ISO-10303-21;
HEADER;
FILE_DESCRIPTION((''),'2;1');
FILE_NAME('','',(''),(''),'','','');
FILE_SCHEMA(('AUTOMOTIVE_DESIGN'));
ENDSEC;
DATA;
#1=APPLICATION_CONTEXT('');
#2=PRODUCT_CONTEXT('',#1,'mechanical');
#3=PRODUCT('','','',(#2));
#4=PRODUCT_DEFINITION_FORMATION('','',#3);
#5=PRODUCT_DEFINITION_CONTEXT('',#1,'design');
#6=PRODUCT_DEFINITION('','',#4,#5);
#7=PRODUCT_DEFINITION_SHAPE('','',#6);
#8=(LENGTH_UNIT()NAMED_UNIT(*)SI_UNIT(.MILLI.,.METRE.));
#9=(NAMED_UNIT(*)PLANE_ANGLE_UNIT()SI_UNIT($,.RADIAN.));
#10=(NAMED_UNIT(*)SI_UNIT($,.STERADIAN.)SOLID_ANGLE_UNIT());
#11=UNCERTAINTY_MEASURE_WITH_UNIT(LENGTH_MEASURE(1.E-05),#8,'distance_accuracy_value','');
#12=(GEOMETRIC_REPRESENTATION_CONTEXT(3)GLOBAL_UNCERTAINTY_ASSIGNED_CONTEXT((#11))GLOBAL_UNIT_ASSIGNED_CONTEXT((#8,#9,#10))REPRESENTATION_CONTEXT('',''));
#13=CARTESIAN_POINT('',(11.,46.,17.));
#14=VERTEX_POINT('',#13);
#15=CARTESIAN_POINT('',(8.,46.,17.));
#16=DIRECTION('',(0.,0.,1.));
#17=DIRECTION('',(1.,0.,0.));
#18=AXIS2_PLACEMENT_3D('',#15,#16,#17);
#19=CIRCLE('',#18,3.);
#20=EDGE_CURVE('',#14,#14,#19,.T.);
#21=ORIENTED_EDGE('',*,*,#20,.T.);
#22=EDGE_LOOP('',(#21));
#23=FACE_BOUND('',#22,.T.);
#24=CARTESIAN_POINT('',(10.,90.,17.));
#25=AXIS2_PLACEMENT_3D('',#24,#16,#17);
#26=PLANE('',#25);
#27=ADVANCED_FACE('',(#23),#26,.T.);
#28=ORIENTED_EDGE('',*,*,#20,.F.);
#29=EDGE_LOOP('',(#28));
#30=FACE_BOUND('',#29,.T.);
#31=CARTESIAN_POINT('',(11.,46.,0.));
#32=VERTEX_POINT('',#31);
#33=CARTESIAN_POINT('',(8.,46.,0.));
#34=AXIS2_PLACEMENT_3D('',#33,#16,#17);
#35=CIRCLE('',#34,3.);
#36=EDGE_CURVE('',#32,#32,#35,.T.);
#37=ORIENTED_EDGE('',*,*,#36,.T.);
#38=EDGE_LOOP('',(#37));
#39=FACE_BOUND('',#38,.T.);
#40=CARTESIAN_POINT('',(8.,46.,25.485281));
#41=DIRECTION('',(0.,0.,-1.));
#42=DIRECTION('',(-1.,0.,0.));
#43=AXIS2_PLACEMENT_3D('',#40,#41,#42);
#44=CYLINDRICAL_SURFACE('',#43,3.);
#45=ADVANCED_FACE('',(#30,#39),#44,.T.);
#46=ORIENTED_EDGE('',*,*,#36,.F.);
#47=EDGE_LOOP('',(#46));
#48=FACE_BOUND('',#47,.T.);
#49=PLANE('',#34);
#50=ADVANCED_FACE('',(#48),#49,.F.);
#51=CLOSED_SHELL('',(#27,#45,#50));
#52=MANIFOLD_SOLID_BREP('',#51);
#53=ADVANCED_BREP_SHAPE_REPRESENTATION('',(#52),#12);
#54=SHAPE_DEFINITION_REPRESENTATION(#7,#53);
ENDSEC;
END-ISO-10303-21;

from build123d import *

# Parameters (mm, degrees)
SKETCH_1_R      = 3
EXTRUDE_1_DEPTH = 17


with BuildPart() as part:
    # ｽｹｯﾁ1 → ﾎﾞｽ - 押し出し1 (new body)
    with BuildSketch(Plane.XY):
        with Locations((8, 46)):
            Circle(SKETCH_1_R)
    extrude(amount=EXTRUDE_1_DEPTH)


solid = part.part
